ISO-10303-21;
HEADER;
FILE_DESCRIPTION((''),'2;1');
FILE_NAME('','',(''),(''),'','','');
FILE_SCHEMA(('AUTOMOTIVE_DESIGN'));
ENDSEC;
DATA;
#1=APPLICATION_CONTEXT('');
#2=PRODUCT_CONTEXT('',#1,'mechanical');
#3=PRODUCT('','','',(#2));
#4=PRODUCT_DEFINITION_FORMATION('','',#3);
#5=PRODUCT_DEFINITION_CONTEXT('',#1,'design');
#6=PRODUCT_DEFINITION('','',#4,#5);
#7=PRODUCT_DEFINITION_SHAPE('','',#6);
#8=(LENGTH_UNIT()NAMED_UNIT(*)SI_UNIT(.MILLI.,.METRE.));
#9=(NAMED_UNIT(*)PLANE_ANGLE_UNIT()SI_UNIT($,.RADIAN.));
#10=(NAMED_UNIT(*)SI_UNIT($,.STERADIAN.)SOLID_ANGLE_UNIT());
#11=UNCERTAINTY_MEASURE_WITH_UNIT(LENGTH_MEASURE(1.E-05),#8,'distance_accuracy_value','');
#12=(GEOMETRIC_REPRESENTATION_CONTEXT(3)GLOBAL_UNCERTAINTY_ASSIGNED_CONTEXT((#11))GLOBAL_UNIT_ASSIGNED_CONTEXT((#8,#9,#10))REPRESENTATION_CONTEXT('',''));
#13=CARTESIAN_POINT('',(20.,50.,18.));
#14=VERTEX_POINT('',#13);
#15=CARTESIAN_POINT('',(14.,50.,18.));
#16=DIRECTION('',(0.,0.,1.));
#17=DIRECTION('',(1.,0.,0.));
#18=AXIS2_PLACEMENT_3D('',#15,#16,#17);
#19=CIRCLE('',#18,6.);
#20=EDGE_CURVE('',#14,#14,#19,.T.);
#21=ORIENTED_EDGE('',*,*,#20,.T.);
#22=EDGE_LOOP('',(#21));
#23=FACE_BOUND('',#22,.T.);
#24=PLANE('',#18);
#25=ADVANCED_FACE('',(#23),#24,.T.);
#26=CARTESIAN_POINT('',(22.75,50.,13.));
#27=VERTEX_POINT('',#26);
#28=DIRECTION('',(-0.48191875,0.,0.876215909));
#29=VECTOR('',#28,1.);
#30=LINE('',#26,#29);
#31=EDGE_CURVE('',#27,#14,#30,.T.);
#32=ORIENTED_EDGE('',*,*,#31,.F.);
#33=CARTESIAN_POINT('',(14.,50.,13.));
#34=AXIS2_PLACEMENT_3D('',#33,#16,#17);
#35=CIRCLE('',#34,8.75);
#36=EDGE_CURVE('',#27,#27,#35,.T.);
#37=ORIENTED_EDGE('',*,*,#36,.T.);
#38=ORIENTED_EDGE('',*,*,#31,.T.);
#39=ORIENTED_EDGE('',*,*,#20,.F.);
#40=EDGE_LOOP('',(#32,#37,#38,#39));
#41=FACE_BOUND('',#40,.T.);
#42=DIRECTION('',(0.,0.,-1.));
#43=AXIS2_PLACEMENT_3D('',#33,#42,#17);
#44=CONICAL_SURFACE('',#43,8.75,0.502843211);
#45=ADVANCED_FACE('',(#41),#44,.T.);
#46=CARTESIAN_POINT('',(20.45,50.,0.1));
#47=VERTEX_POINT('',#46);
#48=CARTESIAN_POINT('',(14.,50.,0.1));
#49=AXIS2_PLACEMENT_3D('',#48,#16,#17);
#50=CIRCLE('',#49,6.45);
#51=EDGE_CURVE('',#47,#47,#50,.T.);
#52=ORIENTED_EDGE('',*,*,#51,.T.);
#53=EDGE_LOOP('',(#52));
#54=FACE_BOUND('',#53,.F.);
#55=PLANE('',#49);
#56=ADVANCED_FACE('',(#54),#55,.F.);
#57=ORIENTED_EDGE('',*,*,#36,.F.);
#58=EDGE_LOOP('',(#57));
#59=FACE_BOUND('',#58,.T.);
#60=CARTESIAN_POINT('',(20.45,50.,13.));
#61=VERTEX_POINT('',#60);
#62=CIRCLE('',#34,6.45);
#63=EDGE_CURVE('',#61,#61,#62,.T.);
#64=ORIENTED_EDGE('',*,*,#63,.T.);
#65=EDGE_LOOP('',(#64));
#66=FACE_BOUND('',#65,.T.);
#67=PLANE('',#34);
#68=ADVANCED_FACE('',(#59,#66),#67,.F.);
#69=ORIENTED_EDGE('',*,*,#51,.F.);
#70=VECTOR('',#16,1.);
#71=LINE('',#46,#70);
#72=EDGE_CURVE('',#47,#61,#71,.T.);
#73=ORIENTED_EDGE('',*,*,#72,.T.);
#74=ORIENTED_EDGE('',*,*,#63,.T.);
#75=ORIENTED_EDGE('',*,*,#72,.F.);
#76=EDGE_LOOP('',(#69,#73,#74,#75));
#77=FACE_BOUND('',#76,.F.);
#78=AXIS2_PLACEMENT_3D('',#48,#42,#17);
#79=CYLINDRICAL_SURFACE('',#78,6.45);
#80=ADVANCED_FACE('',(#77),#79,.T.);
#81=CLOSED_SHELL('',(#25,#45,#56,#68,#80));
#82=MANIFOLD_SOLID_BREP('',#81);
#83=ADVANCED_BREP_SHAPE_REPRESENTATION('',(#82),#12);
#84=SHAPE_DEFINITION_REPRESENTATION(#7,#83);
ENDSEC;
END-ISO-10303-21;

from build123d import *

# Parameters (mm, degrees)
CYLINDER_R     = 6.45
CYLINDER_DEPTH = 12.9


with BuildPart() as cone:
    # Cone → Cone (revolve)
    with BuildSketch(Plane.XZ):
        Polygon((0, 0), (8.75, 0), (6, 5), (0, 5), align=None)
    revolve(axis=Axis((0, 0, 0), (0, 0, 1)))


with BuildPart() as fusion:
    # Cylinder → Cylinder (new body)
    with BuildSketch(Plane.XY.offset(-12.9)):
        Circle(CYLINDER_R)
    extrude(amount=CYLINDER_DEPTH)

    # Fusion: union Cone
    add(cone.part)


with BuildPart() as fusion_1:
    # Fusion placement: moved
    add(fusion.part.moved(Location((14, 50, 13))))


solid = fusion_1.part
